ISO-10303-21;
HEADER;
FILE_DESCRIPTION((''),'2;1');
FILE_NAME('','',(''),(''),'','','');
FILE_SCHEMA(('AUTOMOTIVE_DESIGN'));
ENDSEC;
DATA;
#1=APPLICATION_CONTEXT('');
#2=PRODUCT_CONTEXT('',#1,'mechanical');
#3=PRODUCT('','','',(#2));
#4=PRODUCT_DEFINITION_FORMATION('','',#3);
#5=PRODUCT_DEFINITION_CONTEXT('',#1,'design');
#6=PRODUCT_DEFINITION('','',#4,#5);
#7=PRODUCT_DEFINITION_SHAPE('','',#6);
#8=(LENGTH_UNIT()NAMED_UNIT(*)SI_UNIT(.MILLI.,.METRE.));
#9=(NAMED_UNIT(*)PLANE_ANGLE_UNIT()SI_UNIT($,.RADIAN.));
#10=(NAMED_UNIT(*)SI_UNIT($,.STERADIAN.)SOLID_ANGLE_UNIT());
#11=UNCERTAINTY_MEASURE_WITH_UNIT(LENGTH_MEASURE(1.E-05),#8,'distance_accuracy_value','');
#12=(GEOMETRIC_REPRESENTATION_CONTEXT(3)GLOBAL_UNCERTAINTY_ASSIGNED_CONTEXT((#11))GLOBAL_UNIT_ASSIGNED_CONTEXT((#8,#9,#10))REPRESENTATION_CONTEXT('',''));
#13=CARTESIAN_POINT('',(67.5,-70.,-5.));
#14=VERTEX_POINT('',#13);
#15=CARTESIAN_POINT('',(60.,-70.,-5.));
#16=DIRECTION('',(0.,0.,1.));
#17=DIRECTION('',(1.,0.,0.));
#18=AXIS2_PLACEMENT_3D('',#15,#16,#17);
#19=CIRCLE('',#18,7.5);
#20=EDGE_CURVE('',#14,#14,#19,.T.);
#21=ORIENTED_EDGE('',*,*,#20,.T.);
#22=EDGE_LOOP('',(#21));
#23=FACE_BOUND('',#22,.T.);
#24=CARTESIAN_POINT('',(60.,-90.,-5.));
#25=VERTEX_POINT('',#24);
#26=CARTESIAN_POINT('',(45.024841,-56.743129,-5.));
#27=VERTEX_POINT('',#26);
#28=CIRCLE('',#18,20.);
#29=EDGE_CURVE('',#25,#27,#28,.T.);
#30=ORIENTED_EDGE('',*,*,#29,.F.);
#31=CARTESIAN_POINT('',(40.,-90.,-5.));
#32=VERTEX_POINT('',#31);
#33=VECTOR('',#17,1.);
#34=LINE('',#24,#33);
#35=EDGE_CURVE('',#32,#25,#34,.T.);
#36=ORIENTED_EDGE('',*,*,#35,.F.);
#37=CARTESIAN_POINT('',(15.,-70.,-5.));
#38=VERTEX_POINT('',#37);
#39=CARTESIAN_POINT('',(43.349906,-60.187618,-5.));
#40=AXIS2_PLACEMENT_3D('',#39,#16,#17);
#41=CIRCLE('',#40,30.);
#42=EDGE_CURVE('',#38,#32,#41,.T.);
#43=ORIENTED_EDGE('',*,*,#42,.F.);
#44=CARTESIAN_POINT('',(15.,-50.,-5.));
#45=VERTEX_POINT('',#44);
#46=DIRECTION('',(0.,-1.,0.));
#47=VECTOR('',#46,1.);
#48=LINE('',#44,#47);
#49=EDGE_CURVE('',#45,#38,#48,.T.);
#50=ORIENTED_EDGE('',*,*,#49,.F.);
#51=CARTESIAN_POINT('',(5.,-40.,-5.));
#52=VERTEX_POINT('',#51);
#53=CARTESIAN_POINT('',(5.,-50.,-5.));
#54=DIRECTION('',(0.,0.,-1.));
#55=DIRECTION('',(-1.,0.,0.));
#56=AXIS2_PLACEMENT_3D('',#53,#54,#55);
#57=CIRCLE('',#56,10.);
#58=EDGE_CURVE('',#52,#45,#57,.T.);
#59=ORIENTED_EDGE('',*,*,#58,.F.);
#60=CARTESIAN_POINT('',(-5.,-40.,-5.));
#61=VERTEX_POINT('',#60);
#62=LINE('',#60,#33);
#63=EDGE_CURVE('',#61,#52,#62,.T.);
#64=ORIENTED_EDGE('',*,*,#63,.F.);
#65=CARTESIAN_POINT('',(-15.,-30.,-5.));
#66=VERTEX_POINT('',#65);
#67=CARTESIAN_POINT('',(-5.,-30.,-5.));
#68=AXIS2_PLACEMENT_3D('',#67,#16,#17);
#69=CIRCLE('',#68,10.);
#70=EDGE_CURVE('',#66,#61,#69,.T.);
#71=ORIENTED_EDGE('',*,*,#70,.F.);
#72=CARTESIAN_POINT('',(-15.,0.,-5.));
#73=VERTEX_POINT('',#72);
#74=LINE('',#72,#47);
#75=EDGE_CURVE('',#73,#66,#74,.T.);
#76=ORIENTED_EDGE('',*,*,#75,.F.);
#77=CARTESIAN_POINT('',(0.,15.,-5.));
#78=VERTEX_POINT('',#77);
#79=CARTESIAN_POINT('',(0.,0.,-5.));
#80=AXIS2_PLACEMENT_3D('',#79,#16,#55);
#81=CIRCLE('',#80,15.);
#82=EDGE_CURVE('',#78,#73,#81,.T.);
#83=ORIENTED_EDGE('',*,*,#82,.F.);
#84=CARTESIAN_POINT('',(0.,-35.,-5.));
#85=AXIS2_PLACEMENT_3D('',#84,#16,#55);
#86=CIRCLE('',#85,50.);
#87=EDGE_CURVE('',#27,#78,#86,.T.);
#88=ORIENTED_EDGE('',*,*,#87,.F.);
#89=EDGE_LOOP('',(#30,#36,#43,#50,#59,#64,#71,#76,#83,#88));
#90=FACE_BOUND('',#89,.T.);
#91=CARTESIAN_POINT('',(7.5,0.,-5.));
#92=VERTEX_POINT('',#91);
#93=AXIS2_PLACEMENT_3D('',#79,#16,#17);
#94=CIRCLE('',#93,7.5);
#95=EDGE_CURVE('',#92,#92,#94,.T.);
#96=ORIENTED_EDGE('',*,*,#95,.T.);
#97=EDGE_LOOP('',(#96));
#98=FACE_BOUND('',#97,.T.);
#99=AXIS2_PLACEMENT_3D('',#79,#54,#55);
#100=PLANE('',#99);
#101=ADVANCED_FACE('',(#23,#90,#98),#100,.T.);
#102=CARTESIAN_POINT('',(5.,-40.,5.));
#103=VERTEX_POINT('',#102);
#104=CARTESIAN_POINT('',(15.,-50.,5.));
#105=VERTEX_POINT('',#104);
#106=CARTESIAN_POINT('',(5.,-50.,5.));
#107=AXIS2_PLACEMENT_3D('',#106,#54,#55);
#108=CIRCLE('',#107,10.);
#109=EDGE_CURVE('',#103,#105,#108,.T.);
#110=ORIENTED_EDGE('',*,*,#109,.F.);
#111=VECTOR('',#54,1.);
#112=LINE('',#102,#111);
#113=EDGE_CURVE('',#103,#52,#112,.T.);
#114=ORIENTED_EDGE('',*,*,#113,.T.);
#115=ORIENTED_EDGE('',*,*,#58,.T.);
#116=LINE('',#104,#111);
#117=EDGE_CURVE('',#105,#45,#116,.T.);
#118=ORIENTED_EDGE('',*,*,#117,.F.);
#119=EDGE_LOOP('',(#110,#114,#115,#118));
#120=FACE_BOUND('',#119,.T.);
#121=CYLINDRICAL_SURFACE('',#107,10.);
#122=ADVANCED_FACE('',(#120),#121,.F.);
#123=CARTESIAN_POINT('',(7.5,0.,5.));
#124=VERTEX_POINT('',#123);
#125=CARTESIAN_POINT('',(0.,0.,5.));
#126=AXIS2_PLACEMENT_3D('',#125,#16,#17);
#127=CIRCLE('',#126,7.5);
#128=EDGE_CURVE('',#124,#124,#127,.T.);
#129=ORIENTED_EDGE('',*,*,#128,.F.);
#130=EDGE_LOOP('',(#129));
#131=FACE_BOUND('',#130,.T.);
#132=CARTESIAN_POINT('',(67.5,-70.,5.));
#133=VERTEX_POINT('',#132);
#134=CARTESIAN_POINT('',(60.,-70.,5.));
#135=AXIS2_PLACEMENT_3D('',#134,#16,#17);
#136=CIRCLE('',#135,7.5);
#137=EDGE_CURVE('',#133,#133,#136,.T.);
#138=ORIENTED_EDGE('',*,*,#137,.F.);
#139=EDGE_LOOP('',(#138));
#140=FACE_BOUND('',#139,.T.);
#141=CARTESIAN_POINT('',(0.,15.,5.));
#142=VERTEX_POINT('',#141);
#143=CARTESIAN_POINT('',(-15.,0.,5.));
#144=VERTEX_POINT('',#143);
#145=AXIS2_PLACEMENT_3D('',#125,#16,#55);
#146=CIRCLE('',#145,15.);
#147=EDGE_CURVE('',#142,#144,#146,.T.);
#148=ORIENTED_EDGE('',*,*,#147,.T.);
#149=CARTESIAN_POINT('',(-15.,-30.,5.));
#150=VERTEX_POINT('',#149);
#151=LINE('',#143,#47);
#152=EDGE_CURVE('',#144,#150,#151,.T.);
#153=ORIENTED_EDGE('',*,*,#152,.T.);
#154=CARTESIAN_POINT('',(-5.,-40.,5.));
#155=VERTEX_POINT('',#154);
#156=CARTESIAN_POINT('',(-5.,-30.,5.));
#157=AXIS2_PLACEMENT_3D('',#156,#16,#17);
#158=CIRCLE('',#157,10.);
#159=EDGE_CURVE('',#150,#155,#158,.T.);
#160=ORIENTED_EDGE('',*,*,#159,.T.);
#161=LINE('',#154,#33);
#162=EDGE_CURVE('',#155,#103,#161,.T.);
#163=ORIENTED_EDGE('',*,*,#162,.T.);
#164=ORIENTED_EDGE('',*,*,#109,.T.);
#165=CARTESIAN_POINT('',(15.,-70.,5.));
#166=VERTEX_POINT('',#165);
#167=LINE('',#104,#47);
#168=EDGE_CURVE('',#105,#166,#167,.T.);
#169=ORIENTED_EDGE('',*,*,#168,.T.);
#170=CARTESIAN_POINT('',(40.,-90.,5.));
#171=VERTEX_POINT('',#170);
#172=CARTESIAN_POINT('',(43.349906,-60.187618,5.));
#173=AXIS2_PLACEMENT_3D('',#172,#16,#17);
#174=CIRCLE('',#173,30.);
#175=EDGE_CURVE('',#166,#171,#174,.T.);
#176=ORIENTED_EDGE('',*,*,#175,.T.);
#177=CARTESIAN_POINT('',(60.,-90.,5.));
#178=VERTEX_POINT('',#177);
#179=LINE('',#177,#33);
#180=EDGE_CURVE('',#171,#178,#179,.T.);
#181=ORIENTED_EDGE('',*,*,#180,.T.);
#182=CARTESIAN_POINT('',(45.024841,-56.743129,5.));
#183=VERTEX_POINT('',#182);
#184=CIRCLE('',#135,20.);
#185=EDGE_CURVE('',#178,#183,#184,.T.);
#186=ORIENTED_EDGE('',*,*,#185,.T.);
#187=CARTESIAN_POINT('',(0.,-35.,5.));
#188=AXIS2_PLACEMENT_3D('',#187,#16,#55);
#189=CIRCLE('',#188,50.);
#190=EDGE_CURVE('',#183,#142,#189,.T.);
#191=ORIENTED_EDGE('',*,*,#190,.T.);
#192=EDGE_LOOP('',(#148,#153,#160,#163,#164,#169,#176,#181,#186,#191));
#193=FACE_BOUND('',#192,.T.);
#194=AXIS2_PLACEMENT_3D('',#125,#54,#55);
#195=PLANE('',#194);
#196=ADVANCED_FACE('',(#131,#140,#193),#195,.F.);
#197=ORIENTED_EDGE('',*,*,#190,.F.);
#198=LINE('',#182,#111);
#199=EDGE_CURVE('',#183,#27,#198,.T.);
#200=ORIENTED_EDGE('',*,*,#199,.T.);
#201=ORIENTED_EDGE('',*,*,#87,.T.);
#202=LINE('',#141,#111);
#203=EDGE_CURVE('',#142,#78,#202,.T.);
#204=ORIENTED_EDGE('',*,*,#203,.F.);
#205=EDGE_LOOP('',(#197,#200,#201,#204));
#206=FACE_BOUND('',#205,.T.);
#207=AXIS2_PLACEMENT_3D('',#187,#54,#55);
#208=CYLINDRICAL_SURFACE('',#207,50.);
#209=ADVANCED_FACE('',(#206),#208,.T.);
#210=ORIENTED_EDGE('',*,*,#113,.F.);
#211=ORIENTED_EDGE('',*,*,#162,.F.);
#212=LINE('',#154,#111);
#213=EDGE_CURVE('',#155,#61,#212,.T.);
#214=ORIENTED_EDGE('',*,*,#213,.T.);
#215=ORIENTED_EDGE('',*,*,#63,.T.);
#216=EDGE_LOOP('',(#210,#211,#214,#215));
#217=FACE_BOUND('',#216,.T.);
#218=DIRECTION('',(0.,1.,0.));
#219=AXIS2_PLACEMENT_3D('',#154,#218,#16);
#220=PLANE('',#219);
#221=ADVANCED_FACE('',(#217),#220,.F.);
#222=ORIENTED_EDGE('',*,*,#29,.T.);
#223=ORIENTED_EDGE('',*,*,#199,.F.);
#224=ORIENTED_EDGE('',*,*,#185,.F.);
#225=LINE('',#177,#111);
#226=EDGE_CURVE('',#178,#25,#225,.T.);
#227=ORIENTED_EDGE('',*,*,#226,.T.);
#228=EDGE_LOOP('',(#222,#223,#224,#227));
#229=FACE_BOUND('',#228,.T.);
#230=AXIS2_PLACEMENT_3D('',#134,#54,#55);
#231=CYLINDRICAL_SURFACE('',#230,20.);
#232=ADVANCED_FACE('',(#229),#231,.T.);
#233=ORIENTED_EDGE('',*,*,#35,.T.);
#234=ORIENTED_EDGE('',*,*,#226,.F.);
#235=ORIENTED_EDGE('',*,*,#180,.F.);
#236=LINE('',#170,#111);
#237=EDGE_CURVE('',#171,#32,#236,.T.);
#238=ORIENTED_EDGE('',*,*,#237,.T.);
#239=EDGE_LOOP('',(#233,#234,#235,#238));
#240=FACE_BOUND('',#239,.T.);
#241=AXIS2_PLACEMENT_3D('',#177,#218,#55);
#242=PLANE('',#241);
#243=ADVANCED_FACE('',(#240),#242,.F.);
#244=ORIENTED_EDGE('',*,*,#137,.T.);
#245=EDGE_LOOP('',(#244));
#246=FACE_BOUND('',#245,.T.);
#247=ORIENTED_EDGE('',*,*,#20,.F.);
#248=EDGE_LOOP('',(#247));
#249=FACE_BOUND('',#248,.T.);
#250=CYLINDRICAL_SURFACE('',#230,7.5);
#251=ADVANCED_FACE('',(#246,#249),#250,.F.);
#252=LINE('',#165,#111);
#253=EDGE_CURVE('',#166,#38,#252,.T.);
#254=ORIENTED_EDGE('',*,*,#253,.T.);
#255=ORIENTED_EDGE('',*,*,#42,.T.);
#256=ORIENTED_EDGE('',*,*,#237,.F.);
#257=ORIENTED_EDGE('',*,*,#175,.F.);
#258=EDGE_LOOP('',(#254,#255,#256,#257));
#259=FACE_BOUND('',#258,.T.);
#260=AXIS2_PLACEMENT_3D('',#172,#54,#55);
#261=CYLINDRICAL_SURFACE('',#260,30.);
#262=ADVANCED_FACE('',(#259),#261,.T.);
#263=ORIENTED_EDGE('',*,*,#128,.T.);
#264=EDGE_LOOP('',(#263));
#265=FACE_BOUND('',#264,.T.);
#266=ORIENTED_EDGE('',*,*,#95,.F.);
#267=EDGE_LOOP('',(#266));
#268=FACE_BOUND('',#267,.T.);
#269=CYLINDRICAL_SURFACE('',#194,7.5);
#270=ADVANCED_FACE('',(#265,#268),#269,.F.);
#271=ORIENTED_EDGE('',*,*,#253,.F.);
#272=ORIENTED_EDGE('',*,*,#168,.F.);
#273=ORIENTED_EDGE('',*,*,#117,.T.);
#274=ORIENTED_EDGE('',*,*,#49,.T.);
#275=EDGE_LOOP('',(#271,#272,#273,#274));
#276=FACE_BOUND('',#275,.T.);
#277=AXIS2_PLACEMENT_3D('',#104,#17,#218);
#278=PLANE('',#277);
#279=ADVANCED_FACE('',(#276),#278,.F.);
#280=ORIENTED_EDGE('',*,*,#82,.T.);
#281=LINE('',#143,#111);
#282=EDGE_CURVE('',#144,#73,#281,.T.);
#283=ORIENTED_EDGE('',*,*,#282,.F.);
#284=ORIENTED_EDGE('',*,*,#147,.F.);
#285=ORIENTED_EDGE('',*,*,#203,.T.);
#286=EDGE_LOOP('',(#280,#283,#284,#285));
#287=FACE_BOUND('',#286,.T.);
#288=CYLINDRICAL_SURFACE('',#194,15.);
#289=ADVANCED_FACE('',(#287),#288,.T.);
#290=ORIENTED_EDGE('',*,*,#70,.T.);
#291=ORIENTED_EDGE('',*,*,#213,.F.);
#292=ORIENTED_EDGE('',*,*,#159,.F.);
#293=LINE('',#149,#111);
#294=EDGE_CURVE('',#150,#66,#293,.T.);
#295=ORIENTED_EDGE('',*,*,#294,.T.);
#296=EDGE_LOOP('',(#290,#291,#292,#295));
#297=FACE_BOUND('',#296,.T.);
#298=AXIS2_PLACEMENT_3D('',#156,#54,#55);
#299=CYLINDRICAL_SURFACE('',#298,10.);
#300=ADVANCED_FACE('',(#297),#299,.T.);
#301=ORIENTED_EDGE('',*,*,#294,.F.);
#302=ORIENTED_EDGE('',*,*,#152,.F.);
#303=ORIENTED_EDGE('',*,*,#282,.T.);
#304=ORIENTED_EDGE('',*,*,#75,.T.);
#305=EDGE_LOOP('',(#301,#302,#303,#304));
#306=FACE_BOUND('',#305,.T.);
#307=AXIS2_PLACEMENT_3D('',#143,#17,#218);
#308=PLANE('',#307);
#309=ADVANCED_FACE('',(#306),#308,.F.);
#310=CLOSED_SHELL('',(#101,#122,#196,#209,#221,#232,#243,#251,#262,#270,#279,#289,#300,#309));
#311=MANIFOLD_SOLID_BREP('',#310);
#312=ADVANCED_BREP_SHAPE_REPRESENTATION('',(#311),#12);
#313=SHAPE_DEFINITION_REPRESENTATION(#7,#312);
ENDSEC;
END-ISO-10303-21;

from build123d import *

# Parameters (mm, degrees)
SKETCH1_R           = 7.5
BOSS_EXTRUDE1_DEPTH = 5


with BuildPart() as part:
    # Sketch1 → Boss-Extrude1 (new, symmetric)
    with BuildSketch(Plane.XY):
        with BuildLine():
            Line((-15, 0), (-15, -30))
            ThreePointArc((-15, -30), (-12.071067812, -37.071067812), (-5, -40))
            Line((-5, -40), (5, -40))
            ThreePointArc((5, -40), (12.071067812, -42.928932188), (15, -50))
            Line((15, -50), (15, -70))
            ThreePointArc((15, -70), (24.609054321, -83.613682099), (40, -90))
            Line((40, -90), (60, -90))
            ThreePointArc((60, -90), (78.236466389, -61.788344037), (45.024841203, -56.743129366))
            ThreePointArc((45.024841203, -56.743129366), (42.350658013, -8.42140399), (0, 15))
            ThreePointArc((0, 15), (-10.606601718, 10.606601718), (-15, 0))
        make_face()
        Circle(SKETCH1_R, mode=Mode.SUBTRACT)
        with Locations((60, -70)):
            Circle(SKETCH1_R, mode=Mode.SUBTRACT)
    extrude(amount=BOSS_EXTRUDE1_DEPTH, both=True)


solid = part.part
